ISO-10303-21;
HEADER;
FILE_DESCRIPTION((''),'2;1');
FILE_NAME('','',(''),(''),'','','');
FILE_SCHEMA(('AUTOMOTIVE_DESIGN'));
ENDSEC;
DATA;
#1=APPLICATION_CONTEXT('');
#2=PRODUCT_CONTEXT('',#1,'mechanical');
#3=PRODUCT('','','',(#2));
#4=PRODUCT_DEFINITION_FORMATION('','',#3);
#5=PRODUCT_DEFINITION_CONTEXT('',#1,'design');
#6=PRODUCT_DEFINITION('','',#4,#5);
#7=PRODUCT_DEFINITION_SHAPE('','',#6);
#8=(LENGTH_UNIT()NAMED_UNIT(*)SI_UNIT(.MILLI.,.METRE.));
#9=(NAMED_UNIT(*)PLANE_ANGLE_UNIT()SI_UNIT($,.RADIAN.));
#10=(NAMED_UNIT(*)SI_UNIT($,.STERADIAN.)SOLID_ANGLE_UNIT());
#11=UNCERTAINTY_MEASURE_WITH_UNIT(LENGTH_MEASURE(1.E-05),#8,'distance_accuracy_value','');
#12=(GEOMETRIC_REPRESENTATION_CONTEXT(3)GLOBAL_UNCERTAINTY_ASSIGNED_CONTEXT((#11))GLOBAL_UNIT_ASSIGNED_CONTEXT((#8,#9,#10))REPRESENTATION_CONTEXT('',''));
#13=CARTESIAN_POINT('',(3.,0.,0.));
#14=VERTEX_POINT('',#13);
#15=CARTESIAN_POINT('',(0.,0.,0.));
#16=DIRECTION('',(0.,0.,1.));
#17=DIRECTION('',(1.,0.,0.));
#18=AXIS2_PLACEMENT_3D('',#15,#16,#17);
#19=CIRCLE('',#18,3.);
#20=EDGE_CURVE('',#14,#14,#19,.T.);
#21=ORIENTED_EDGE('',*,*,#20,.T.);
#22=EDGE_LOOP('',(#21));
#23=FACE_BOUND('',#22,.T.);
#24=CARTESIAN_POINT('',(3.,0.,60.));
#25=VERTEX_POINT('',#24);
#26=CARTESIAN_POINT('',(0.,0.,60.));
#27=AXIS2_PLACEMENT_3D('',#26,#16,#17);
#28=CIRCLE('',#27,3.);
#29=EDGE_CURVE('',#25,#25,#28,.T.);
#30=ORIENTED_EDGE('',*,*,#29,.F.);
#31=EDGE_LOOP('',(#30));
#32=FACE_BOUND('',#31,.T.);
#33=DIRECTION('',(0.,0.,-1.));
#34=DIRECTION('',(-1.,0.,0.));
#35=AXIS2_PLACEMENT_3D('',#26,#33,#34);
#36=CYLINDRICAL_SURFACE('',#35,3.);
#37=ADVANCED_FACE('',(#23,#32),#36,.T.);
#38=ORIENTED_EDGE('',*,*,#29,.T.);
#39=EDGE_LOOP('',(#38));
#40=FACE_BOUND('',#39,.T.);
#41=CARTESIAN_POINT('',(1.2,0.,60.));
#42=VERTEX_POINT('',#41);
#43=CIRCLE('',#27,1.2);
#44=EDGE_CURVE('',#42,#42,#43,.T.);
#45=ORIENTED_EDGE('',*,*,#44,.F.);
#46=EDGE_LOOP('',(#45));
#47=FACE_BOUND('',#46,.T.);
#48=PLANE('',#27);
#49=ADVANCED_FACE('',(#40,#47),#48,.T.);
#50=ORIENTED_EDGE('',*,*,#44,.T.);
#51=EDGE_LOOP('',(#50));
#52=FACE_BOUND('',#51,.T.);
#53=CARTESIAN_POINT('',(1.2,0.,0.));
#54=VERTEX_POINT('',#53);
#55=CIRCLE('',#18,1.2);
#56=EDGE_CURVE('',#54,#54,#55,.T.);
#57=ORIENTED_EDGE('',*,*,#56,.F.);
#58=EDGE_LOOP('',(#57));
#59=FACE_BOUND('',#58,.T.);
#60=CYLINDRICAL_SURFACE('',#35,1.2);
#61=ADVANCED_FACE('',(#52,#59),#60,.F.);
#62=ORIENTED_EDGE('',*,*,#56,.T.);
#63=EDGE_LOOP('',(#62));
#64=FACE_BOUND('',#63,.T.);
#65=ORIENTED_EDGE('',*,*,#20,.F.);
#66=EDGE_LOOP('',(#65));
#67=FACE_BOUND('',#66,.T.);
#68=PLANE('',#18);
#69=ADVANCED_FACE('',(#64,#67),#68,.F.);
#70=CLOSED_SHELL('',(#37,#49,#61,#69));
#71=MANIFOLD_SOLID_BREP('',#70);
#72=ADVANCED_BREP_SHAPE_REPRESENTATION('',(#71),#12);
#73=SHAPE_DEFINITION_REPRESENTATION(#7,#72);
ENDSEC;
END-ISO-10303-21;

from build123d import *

# Parameters (mm, degrees)
SKETCH_1_R      = 3
SKETCH_1_R_2    = 1.2
EXTRUDE_1_DEPTH = 60


with BuildPart() as part:
    # 草圖1 → 伸長-薄件1 (new body)
    with BuildSketch(Plane.XY):
        Circle(SKETCH_1_R)
        Circle(SKETCH_1_R_2, mode=Mode.SUBTRACT)
    extrude(amount=EXTRUDE_1_DEPTH)


solid = part.part
